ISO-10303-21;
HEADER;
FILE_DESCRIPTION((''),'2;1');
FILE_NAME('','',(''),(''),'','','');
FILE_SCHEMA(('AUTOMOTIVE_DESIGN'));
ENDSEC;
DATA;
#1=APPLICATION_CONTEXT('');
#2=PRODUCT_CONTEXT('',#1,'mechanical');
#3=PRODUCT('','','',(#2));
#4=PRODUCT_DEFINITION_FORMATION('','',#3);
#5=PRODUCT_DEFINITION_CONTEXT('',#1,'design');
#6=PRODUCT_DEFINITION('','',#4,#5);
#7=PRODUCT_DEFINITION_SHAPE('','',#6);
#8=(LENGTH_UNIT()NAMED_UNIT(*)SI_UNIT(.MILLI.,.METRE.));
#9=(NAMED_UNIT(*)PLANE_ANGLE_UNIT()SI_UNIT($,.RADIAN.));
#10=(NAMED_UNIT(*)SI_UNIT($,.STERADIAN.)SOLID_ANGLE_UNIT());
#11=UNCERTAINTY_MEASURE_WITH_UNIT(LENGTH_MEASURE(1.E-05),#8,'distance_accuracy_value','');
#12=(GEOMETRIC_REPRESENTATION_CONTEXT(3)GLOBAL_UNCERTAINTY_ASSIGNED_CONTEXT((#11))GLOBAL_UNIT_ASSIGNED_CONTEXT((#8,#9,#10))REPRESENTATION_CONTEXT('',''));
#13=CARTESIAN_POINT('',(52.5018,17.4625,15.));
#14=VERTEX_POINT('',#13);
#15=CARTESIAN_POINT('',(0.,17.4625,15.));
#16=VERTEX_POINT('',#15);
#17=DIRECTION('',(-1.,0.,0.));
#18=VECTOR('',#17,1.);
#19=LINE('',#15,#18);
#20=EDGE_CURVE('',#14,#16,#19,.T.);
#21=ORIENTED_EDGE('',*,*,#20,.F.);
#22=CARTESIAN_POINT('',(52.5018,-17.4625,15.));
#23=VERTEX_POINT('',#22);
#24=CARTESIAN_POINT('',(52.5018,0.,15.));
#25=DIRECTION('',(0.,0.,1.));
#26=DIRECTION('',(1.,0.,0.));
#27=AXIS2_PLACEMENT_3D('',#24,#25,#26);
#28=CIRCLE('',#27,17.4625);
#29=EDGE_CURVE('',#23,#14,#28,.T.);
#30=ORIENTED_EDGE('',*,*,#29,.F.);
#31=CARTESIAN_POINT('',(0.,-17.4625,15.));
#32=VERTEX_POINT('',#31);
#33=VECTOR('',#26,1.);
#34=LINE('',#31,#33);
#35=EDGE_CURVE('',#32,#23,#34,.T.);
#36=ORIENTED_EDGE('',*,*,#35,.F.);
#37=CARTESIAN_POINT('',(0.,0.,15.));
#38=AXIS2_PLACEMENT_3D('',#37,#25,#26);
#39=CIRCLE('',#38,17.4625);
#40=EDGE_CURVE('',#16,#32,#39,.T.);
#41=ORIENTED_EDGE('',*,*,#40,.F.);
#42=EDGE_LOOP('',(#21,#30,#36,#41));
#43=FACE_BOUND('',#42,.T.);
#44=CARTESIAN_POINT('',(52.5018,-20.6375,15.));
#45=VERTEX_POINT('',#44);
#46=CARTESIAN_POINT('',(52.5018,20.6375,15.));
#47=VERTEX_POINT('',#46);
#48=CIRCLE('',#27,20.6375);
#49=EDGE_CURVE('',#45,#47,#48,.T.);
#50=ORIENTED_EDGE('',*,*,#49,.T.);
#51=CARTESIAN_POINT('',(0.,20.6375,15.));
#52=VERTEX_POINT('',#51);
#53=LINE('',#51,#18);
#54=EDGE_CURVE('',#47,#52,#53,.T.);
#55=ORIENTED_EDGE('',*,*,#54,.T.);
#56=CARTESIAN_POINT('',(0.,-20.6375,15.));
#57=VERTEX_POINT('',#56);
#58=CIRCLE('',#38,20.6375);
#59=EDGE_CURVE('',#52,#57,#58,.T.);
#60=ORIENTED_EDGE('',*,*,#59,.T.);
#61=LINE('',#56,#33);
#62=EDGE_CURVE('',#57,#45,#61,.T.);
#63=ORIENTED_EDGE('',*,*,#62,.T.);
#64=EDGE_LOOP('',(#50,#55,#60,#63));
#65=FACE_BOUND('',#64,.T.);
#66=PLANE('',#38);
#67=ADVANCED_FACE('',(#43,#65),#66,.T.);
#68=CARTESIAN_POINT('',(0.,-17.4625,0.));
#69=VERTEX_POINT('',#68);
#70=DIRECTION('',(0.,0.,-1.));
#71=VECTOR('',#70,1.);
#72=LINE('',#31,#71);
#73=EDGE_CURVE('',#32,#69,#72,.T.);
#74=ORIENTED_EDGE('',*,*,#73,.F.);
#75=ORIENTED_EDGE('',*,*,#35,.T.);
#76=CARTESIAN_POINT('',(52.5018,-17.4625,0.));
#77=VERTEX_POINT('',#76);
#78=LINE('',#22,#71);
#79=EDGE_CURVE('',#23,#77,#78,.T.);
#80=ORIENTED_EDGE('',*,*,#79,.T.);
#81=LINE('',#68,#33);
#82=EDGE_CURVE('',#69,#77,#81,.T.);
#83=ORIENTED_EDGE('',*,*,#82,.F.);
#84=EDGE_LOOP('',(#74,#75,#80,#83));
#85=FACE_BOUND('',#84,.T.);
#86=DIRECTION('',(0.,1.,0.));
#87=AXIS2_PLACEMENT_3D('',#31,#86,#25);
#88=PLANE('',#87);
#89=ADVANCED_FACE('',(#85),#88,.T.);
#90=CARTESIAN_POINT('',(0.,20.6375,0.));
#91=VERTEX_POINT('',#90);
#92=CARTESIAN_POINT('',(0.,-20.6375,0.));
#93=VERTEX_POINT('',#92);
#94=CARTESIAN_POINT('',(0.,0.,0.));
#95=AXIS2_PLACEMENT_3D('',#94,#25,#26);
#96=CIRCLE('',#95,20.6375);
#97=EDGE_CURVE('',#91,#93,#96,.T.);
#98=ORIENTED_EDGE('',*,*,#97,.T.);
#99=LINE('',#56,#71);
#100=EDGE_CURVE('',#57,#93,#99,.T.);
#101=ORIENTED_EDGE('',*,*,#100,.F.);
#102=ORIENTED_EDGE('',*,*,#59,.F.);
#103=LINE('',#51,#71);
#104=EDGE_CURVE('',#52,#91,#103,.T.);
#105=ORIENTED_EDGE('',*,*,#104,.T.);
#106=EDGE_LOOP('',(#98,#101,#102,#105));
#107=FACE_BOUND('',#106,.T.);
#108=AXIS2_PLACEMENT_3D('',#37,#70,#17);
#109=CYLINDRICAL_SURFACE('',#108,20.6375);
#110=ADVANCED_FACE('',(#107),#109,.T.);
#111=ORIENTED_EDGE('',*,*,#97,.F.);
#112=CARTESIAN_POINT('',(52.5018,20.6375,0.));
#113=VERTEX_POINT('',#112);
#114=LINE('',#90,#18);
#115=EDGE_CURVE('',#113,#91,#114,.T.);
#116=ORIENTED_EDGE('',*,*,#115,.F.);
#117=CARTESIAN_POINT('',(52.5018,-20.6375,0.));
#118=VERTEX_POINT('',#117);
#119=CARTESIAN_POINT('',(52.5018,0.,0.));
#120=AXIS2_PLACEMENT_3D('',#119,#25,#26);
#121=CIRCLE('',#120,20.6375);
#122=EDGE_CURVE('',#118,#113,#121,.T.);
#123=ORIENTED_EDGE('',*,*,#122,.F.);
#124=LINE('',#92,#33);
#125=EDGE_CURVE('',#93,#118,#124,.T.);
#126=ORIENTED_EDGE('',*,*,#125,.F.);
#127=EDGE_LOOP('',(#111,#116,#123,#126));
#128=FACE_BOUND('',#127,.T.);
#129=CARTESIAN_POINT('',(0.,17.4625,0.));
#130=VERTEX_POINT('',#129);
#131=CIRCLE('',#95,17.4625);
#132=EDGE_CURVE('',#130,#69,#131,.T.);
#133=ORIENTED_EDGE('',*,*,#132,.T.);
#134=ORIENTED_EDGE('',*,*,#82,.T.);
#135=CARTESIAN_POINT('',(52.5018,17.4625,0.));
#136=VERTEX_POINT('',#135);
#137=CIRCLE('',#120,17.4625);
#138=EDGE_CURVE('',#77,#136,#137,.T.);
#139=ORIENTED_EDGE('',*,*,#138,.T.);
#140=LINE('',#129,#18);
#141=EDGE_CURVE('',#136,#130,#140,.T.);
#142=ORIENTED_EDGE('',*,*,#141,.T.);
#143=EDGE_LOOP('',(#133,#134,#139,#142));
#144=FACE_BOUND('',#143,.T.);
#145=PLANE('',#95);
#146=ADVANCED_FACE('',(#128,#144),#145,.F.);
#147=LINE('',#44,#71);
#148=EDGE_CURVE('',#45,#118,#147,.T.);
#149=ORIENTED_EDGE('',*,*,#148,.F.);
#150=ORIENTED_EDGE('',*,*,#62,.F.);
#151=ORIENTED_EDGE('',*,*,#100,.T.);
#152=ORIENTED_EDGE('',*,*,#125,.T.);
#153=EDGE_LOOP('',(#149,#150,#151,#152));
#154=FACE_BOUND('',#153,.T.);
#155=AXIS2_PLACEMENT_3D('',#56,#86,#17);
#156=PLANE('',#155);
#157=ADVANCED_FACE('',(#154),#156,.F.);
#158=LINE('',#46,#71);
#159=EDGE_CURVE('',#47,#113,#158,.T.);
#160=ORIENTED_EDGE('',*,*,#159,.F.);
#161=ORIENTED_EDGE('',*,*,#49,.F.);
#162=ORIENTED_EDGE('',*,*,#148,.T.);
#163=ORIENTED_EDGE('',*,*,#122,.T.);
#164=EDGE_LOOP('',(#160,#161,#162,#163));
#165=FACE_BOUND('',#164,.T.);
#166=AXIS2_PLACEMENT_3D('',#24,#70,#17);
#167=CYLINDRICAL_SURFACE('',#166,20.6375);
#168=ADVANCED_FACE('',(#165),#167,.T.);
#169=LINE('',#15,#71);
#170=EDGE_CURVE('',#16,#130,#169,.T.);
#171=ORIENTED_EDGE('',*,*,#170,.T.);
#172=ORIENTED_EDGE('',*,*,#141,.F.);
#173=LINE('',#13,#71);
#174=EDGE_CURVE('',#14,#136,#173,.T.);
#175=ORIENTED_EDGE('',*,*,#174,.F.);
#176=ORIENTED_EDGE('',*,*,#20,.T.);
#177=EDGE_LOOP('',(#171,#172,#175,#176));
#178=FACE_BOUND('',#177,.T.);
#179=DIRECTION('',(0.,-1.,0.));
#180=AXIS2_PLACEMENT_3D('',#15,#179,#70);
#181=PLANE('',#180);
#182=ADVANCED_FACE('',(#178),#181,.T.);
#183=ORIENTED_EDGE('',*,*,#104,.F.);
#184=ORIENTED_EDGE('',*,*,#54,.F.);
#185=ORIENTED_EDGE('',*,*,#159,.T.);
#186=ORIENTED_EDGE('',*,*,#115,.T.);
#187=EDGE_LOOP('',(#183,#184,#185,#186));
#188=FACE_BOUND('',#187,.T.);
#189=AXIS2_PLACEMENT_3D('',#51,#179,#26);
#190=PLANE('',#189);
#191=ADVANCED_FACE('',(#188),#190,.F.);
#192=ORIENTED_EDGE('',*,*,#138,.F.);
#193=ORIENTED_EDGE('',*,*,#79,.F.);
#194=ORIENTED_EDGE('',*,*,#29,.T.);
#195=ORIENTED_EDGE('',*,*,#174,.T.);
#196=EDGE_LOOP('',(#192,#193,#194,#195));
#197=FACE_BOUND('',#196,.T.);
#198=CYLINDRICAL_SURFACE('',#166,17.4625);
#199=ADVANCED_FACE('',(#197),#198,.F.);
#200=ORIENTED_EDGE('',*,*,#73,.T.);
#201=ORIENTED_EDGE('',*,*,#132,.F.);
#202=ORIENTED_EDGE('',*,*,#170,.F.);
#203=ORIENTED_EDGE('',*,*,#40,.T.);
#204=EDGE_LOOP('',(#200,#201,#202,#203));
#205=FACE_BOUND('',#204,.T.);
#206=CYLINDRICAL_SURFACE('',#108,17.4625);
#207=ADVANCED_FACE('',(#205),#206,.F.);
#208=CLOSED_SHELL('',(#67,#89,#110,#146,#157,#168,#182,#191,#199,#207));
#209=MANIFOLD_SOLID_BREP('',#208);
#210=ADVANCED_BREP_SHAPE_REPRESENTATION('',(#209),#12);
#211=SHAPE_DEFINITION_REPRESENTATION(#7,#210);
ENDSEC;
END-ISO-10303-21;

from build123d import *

# Parameters (mm, degrees)
BOSS_EXTRUDE1_DEPTH = 15


with BuildPart() as part:
    # Sketch1 → Boss-Extrude1 (new body)
    with BuildSketch(Plane.XY):
        with BuildLine():
            Line((0, 20.6375), (52.5018, 20.6375))
            ThreePointArc((52.5018, 20.6375), (73.1393, 0), (52.5018, -20.6375))
            Line((52.5018, -20.6375), (0, -20.6375))
            ThreePointArc((0, -20.6375), (-20.6375, 0), (0, 20.6375))
        make_face()
        with BuildLine():
            Line((0, 17.4625), (52.5018, 17.4625))
            ThreePointArc((52.5018, 17.4625), (69.9643, 0), (52.5018, -17.4625))
            Line((52.5018, -17.4625), (0, -17.4625))
            ThreePointArc((0, -17.4625), (-17.4625, 0), (0, 17.4625))
        make_face(mode=Mode.SUBTRACT)
    extrude(amount=BOSS_EXTRUDE1_DEPTH)


solid = part.part
